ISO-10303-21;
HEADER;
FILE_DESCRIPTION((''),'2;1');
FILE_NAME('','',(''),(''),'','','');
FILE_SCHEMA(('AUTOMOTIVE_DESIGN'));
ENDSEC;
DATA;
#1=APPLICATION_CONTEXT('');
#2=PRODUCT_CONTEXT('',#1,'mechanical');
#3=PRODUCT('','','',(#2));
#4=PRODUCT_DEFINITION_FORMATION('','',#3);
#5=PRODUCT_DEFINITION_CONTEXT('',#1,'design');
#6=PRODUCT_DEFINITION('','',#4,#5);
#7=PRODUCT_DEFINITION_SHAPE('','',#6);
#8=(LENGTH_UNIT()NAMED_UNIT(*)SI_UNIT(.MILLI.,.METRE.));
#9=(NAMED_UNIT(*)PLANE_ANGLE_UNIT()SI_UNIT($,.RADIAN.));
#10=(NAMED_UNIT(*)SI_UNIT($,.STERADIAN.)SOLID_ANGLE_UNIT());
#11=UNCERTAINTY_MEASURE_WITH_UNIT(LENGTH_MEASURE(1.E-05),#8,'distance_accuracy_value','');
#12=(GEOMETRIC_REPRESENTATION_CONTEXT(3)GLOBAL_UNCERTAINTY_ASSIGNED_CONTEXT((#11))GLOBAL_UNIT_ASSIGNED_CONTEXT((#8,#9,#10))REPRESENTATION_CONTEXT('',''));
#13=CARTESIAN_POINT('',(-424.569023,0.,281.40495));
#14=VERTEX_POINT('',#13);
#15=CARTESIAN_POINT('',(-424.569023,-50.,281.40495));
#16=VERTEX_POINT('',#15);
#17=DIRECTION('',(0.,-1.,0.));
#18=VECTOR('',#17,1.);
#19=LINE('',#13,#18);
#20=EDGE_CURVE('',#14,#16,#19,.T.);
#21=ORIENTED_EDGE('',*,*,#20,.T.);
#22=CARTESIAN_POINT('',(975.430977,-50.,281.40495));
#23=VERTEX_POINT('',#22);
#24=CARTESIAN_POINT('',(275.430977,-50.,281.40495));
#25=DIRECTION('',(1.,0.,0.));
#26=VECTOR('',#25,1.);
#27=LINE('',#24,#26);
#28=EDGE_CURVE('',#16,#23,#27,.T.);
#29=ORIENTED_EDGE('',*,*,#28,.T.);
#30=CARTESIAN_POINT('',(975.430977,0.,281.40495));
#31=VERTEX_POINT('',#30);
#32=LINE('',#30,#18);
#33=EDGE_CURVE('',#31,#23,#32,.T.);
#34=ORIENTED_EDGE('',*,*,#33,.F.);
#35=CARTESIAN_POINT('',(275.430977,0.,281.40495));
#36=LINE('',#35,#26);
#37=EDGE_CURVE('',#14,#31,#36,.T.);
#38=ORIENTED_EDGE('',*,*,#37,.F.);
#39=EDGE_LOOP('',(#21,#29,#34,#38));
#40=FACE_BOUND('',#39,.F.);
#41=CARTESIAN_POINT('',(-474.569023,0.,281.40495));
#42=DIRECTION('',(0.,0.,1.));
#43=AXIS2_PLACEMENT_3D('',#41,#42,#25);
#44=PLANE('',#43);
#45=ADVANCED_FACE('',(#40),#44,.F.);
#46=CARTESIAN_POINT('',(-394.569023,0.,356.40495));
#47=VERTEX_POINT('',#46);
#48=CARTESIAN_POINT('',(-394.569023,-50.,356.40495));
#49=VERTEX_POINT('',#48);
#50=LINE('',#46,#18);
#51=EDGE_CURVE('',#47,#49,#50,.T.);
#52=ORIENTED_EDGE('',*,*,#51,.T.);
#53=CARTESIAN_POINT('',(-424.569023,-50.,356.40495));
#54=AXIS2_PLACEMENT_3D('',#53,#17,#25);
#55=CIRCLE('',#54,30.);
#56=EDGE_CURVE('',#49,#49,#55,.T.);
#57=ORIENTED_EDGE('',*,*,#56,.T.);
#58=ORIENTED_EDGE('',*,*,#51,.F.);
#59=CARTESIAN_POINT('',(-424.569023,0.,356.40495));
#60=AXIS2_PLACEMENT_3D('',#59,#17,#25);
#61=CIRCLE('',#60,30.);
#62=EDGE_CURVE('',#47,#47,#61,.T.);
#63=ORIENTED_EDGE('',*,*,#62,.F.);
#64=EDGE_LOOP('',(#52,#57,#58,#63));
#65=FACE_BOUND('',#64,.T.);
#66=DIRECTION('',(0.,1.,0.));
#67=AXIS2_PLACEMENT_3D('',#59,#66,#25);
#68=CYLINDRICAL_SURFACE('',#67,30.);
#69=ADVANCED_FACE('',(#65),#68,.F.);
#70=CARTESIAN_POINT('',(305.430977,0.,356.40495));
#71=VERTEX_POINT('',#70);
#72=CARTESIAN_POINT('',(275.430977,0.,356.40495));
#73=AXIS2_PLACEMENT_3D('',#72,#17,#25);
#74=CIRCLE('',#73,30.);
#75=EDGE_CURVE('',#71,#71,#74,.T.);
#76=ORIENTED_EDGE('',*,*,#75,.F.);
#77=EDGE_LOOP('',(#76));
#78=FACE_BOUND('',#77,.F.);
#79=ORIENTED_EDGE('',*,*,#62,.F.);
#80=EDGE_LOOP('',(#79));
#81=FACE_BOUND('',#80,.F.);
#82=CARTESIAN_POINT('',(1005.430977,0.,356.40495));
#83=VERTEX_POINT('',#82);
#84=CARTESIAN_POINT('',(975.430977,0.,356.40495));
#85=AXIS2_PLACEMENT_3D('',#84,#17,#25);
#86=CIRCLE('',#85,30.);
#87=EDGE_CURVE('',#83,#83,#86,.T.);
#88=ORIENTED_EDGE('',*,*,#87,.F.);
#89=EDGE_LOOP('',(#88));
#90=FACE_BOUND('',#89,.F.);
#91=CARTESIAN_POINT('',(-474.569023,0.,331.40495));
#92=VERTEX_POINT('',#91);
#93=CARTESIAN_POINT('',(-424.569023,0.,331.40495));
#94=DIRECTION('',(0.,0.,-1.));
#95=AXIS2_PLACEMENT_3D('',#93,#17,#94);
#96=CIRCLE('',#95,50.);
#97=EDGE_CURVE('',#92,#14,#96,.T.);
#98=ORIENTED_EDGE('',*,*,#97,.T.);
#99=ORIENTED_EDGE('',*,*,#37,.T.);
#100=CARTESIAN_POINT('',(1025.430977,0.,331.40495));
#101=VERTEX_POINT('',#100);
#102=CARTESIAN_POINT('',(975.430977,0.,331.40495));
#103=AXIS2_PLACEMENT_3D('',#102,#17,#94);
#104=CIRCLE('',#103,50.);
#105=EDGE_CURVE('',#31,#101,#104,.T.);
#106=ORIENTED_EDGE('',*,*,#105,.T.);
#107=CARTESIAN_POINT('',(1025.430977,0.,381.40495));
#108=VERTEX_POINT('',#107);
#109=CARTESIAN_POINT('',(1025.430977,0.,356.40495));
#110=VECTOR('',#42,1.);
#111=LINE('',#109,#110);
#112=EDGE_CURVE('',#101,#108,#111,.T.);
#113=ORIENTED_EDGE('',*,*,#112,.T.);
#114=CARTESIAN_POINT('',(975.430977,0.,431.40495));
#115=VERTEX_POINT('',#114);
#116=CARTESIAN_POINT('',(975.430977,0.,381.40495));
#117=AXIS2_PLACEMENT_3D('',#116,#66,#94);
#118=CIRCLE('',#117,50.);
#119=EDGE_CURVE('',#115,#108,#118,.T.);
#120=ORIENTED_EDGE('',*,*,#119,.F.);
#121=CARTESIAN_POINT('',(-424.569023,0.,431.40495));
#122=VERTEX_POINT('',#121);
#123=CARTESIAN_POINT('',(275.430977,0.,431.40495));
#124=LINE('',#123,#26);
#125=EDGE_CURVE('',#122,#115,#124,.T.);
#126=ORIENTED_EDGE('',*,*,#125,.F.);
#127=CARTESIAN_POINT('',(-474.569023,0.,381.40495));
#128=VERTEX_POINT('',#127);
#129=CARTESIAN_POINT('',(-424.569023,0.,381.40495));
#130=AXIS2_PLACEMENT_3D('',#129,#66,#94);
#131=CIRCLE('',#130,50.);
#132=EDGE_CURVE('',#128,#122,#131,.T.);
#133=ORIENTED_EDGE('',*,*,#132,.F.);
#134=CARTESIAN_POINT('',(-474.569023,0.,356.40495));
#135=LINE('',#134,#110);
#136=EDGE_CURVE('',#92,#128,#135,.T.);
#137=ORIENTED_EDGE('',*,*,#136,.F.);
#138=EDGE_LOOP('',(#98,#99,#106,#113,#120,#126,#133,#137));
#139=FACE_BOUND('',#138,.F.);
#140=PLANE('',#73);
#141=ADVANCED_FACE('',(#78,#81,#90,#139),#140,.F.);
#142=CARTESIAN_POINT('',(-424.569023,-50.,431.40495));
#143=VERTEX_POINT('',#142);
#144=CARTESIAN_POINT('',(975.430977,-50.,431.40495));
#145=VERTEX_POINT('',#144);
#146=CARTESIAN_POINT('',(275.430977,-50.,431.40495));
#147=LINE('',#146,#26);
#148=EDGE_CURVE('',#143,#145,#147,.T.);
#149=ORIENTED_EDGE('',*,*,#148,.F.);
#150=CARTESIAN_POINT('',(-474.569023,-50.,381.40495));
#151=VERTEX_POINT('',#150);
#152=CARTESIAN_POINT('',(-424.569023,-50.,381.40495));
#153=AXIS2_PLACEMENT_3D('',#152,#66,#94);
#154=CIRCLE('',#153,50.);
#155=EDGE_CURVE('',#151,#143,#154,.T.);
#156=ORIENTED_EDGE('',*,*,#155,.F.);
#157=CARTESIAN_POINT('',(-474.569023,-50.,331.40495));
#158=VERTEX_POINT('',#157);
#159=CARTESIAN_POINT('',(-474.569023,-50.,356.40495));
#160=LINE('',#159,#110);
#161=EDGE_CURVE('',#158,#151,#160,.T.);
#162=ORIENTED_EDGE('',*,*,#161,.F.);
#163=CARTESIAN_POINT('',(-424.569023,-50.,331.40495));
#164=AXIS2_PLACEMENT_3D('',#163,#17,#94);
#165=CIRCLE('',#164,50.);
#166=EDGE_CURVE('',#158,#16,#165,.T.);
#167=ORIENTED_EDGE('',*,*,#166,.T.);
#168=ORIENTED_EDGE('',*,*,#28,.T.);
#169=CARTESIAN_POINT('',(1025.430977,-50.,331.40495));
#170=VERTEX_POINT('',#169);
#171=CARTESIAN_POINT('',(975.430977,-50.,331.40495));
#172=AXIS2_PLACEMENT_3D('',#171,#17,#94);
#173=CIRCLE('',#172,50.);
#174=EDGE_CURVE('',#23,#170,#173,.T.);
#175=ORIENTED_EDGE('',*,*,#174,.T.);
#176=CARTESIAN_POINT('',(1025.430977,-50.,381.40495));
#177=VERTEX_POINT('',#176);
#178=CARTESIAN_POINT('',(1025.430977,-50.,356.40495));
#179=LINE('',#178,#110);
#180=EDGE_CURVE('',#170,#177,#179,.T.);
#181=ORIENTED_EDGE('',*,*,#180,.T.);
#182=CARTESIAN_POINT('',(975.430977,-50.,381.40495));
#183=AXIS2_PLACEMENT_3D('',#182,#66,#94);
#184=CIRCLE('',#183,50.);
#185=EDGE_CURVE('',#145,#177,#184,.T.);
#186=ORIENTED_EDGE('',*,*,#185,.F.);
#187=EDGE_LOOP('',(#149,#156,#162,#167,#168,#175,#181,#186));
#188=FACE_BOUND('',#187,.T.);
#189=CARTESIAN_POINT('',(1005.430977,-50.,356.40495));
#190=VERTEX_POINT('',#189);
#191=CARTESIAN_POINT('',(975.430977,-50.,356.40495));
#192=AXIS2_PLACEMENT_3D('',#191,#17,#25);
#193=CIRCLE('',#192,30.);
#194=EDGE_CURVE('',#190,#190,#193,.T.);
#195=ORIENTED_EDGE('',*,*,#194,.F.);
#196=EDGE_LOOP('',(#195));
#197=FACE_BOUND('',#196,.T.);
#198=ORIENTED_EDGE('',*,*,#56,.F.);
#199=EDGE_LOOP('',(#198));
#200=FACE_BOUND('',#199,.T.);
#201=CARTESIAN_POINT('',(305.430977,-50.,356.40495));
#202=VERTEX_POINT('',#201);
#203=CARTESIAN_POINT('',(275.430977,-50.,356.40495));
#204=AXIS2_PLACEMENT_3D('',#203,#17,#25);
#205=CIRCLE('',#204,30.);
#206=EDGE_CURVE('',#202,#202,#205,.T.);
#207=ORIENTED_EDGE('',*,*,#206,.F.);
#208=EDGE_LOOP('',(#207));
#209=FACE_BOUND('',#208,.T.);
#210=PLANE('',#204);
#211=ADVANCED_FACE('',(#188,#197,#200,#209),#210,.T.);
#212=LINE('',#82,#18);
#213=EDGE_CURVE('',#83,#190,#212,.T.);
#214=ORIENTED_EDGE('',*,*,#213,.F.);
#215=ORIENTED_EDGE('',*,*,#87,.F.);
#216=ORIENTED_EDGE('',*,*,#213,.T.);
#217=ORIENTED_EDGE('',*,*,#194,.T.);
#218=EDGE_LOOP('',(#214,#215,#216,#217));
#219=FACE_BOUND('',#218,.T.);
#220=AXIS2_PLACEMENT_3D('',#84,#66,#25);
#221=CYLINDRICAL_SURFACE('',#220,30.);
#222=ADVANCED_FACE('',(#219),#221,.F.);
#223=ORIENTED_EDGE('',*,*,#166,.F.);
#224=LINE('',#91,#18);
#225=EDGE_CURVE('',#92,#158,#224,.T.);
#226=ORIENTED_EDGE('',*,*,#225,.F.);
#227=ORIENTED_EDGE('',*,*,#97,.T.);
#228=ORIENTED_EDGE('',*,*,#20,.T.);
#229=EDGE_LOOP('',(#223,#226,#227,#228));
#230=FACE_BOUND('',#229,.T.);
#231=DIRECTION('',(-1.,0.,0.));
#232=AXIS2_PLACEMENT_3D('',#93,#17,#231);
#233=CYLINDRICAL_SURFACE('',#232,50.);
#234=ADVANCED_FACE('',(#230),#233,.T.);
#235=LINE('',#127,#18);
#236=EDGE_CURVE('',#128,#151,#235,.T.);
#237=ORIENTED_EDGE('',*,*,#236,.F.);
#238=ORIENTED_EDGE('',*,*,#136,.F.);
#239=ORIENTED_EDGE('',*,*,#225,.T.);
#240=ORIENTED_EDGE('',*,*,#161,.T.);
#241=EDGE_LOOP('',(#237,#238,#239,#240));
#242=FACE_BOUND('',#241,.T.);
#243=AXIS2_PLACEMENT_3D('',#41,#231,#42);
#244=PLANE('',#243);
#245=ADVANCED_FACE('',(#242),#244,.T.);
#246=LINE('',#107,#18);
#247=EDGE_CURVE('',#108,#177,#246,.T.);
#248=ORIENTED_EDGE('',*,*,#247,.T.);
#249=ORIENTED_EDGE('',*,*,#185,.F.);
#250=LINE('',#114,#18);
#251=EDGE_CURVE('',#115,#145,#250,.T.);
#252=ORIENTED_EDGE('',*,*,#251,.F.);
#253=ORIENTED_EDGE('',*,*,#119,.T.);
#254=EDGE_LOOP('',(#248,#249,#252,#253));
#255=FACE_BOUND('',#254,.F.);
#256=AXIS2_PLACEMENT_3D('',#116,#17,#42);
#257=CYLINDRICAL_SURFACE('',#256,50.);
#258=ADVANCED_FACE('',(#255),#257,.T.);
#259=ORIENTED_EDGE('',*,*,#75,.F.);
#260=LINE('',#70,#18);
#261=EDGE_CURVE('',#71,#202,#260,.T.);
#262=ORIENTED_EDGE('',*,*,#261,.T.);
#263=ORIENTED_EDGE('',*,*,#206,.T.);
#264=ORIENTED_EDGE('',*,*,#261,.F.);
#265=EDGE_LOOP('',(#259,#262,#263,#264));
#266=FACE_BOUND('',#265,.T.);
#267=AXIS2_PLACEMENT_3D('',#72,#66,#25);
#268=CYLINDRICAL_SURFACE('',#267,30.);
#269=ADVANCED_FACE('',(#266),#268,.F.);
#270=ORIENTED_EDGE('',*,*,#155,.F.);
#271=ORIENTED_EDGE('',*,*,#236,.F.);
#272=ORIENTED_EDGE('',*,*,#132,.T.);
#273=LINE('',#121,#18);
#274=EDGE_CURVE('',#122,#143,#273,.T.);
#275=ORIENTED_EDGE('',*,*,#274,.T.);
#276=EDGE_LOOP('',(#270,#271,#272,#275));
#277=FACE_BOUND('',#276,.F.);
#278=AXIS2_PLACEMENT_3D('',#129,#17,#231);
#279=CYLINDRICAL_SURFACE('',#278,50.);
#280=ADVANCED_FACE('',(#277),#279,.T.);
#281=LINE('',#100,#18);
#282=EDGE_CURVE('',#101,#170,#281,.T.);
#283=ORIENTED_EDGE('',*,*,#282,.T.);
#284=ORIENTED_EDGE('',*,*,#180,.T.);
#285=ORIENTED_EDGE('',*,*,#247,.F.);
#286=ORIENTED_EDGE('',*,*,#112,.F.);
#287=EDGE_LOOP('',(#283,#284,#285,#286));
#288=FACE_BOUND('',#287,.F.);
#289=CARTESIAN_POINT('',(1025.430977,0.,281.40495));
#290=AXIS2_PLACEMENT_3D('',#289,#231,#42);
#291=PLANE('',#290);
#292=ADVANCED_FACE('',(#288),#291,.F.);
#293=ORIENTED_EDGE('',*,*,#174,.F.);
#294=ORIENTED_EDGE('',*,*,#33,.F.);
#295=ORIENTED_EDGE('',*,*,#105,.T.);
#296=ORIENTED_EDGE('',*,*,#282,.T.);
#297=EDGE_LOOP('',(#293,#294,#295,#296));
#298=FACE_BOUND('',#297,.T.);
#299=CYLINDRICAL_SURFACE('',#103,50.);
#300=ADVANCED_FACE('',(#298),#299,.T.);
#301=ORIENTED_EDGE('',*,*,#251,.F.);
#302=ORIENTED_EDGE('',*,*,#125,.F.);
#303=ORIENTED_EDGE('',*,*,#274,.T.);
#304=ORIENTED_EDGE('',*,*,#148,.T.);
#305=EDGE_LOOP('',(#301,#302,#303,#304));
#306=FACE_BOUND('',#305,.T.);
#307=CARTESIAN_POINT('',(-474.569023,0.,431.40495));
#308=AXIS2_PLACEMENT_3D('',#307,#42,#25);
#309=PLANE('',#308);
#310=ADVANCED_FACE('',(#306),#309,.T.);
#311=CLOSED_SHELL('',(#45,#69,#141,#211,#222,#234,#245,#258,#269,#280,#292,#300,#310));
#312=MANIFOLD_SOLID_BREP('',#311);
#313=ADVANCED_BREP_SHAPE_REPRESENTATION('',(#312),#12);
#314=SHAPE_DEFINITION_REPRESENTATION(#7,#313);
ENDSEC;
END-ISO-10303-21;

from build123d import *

# Parameters (mm, degrees)
F0_W     = 1500
F0_H     = 150
F0_R     = 30
F1_DEPTH = 50
F2_R     = 50


with BuildPart() as f1:
    # F0 (on Front) → F1 (new body)
    with BuildSketch(Plane.XZ):
        with Locations((275.430977, 356.40495)):
            Rectangle(F0_W, F0_H)
        with Locations((-424.569023, 356.40495)):
            Circle(F0_R, mode=Mode.SUBTRACT)
        with Locations((275.430977, 356.40495)):
            Circle(F0_R, mode=Mode.SUBTRACT)
        with Locations((975.430977, 356.40495)):
            Circle(F0_R, mode=Mode.SUBTRACT)
    extrude(amount=F1_DEPTH)

    # F2
    f2_edges = [f1.edges().sort_by_distance(p)[0] for p in [
        (-474.569023, -25, 431.40495),
        (-474.569023, -25, 281.40495),
        (1025.430977, -25, 431.40495),
        (1025.430977, -25, 281.40495),
    ]]
    fillet(f2_edges, radius=F2_R)


solid = f1.part
